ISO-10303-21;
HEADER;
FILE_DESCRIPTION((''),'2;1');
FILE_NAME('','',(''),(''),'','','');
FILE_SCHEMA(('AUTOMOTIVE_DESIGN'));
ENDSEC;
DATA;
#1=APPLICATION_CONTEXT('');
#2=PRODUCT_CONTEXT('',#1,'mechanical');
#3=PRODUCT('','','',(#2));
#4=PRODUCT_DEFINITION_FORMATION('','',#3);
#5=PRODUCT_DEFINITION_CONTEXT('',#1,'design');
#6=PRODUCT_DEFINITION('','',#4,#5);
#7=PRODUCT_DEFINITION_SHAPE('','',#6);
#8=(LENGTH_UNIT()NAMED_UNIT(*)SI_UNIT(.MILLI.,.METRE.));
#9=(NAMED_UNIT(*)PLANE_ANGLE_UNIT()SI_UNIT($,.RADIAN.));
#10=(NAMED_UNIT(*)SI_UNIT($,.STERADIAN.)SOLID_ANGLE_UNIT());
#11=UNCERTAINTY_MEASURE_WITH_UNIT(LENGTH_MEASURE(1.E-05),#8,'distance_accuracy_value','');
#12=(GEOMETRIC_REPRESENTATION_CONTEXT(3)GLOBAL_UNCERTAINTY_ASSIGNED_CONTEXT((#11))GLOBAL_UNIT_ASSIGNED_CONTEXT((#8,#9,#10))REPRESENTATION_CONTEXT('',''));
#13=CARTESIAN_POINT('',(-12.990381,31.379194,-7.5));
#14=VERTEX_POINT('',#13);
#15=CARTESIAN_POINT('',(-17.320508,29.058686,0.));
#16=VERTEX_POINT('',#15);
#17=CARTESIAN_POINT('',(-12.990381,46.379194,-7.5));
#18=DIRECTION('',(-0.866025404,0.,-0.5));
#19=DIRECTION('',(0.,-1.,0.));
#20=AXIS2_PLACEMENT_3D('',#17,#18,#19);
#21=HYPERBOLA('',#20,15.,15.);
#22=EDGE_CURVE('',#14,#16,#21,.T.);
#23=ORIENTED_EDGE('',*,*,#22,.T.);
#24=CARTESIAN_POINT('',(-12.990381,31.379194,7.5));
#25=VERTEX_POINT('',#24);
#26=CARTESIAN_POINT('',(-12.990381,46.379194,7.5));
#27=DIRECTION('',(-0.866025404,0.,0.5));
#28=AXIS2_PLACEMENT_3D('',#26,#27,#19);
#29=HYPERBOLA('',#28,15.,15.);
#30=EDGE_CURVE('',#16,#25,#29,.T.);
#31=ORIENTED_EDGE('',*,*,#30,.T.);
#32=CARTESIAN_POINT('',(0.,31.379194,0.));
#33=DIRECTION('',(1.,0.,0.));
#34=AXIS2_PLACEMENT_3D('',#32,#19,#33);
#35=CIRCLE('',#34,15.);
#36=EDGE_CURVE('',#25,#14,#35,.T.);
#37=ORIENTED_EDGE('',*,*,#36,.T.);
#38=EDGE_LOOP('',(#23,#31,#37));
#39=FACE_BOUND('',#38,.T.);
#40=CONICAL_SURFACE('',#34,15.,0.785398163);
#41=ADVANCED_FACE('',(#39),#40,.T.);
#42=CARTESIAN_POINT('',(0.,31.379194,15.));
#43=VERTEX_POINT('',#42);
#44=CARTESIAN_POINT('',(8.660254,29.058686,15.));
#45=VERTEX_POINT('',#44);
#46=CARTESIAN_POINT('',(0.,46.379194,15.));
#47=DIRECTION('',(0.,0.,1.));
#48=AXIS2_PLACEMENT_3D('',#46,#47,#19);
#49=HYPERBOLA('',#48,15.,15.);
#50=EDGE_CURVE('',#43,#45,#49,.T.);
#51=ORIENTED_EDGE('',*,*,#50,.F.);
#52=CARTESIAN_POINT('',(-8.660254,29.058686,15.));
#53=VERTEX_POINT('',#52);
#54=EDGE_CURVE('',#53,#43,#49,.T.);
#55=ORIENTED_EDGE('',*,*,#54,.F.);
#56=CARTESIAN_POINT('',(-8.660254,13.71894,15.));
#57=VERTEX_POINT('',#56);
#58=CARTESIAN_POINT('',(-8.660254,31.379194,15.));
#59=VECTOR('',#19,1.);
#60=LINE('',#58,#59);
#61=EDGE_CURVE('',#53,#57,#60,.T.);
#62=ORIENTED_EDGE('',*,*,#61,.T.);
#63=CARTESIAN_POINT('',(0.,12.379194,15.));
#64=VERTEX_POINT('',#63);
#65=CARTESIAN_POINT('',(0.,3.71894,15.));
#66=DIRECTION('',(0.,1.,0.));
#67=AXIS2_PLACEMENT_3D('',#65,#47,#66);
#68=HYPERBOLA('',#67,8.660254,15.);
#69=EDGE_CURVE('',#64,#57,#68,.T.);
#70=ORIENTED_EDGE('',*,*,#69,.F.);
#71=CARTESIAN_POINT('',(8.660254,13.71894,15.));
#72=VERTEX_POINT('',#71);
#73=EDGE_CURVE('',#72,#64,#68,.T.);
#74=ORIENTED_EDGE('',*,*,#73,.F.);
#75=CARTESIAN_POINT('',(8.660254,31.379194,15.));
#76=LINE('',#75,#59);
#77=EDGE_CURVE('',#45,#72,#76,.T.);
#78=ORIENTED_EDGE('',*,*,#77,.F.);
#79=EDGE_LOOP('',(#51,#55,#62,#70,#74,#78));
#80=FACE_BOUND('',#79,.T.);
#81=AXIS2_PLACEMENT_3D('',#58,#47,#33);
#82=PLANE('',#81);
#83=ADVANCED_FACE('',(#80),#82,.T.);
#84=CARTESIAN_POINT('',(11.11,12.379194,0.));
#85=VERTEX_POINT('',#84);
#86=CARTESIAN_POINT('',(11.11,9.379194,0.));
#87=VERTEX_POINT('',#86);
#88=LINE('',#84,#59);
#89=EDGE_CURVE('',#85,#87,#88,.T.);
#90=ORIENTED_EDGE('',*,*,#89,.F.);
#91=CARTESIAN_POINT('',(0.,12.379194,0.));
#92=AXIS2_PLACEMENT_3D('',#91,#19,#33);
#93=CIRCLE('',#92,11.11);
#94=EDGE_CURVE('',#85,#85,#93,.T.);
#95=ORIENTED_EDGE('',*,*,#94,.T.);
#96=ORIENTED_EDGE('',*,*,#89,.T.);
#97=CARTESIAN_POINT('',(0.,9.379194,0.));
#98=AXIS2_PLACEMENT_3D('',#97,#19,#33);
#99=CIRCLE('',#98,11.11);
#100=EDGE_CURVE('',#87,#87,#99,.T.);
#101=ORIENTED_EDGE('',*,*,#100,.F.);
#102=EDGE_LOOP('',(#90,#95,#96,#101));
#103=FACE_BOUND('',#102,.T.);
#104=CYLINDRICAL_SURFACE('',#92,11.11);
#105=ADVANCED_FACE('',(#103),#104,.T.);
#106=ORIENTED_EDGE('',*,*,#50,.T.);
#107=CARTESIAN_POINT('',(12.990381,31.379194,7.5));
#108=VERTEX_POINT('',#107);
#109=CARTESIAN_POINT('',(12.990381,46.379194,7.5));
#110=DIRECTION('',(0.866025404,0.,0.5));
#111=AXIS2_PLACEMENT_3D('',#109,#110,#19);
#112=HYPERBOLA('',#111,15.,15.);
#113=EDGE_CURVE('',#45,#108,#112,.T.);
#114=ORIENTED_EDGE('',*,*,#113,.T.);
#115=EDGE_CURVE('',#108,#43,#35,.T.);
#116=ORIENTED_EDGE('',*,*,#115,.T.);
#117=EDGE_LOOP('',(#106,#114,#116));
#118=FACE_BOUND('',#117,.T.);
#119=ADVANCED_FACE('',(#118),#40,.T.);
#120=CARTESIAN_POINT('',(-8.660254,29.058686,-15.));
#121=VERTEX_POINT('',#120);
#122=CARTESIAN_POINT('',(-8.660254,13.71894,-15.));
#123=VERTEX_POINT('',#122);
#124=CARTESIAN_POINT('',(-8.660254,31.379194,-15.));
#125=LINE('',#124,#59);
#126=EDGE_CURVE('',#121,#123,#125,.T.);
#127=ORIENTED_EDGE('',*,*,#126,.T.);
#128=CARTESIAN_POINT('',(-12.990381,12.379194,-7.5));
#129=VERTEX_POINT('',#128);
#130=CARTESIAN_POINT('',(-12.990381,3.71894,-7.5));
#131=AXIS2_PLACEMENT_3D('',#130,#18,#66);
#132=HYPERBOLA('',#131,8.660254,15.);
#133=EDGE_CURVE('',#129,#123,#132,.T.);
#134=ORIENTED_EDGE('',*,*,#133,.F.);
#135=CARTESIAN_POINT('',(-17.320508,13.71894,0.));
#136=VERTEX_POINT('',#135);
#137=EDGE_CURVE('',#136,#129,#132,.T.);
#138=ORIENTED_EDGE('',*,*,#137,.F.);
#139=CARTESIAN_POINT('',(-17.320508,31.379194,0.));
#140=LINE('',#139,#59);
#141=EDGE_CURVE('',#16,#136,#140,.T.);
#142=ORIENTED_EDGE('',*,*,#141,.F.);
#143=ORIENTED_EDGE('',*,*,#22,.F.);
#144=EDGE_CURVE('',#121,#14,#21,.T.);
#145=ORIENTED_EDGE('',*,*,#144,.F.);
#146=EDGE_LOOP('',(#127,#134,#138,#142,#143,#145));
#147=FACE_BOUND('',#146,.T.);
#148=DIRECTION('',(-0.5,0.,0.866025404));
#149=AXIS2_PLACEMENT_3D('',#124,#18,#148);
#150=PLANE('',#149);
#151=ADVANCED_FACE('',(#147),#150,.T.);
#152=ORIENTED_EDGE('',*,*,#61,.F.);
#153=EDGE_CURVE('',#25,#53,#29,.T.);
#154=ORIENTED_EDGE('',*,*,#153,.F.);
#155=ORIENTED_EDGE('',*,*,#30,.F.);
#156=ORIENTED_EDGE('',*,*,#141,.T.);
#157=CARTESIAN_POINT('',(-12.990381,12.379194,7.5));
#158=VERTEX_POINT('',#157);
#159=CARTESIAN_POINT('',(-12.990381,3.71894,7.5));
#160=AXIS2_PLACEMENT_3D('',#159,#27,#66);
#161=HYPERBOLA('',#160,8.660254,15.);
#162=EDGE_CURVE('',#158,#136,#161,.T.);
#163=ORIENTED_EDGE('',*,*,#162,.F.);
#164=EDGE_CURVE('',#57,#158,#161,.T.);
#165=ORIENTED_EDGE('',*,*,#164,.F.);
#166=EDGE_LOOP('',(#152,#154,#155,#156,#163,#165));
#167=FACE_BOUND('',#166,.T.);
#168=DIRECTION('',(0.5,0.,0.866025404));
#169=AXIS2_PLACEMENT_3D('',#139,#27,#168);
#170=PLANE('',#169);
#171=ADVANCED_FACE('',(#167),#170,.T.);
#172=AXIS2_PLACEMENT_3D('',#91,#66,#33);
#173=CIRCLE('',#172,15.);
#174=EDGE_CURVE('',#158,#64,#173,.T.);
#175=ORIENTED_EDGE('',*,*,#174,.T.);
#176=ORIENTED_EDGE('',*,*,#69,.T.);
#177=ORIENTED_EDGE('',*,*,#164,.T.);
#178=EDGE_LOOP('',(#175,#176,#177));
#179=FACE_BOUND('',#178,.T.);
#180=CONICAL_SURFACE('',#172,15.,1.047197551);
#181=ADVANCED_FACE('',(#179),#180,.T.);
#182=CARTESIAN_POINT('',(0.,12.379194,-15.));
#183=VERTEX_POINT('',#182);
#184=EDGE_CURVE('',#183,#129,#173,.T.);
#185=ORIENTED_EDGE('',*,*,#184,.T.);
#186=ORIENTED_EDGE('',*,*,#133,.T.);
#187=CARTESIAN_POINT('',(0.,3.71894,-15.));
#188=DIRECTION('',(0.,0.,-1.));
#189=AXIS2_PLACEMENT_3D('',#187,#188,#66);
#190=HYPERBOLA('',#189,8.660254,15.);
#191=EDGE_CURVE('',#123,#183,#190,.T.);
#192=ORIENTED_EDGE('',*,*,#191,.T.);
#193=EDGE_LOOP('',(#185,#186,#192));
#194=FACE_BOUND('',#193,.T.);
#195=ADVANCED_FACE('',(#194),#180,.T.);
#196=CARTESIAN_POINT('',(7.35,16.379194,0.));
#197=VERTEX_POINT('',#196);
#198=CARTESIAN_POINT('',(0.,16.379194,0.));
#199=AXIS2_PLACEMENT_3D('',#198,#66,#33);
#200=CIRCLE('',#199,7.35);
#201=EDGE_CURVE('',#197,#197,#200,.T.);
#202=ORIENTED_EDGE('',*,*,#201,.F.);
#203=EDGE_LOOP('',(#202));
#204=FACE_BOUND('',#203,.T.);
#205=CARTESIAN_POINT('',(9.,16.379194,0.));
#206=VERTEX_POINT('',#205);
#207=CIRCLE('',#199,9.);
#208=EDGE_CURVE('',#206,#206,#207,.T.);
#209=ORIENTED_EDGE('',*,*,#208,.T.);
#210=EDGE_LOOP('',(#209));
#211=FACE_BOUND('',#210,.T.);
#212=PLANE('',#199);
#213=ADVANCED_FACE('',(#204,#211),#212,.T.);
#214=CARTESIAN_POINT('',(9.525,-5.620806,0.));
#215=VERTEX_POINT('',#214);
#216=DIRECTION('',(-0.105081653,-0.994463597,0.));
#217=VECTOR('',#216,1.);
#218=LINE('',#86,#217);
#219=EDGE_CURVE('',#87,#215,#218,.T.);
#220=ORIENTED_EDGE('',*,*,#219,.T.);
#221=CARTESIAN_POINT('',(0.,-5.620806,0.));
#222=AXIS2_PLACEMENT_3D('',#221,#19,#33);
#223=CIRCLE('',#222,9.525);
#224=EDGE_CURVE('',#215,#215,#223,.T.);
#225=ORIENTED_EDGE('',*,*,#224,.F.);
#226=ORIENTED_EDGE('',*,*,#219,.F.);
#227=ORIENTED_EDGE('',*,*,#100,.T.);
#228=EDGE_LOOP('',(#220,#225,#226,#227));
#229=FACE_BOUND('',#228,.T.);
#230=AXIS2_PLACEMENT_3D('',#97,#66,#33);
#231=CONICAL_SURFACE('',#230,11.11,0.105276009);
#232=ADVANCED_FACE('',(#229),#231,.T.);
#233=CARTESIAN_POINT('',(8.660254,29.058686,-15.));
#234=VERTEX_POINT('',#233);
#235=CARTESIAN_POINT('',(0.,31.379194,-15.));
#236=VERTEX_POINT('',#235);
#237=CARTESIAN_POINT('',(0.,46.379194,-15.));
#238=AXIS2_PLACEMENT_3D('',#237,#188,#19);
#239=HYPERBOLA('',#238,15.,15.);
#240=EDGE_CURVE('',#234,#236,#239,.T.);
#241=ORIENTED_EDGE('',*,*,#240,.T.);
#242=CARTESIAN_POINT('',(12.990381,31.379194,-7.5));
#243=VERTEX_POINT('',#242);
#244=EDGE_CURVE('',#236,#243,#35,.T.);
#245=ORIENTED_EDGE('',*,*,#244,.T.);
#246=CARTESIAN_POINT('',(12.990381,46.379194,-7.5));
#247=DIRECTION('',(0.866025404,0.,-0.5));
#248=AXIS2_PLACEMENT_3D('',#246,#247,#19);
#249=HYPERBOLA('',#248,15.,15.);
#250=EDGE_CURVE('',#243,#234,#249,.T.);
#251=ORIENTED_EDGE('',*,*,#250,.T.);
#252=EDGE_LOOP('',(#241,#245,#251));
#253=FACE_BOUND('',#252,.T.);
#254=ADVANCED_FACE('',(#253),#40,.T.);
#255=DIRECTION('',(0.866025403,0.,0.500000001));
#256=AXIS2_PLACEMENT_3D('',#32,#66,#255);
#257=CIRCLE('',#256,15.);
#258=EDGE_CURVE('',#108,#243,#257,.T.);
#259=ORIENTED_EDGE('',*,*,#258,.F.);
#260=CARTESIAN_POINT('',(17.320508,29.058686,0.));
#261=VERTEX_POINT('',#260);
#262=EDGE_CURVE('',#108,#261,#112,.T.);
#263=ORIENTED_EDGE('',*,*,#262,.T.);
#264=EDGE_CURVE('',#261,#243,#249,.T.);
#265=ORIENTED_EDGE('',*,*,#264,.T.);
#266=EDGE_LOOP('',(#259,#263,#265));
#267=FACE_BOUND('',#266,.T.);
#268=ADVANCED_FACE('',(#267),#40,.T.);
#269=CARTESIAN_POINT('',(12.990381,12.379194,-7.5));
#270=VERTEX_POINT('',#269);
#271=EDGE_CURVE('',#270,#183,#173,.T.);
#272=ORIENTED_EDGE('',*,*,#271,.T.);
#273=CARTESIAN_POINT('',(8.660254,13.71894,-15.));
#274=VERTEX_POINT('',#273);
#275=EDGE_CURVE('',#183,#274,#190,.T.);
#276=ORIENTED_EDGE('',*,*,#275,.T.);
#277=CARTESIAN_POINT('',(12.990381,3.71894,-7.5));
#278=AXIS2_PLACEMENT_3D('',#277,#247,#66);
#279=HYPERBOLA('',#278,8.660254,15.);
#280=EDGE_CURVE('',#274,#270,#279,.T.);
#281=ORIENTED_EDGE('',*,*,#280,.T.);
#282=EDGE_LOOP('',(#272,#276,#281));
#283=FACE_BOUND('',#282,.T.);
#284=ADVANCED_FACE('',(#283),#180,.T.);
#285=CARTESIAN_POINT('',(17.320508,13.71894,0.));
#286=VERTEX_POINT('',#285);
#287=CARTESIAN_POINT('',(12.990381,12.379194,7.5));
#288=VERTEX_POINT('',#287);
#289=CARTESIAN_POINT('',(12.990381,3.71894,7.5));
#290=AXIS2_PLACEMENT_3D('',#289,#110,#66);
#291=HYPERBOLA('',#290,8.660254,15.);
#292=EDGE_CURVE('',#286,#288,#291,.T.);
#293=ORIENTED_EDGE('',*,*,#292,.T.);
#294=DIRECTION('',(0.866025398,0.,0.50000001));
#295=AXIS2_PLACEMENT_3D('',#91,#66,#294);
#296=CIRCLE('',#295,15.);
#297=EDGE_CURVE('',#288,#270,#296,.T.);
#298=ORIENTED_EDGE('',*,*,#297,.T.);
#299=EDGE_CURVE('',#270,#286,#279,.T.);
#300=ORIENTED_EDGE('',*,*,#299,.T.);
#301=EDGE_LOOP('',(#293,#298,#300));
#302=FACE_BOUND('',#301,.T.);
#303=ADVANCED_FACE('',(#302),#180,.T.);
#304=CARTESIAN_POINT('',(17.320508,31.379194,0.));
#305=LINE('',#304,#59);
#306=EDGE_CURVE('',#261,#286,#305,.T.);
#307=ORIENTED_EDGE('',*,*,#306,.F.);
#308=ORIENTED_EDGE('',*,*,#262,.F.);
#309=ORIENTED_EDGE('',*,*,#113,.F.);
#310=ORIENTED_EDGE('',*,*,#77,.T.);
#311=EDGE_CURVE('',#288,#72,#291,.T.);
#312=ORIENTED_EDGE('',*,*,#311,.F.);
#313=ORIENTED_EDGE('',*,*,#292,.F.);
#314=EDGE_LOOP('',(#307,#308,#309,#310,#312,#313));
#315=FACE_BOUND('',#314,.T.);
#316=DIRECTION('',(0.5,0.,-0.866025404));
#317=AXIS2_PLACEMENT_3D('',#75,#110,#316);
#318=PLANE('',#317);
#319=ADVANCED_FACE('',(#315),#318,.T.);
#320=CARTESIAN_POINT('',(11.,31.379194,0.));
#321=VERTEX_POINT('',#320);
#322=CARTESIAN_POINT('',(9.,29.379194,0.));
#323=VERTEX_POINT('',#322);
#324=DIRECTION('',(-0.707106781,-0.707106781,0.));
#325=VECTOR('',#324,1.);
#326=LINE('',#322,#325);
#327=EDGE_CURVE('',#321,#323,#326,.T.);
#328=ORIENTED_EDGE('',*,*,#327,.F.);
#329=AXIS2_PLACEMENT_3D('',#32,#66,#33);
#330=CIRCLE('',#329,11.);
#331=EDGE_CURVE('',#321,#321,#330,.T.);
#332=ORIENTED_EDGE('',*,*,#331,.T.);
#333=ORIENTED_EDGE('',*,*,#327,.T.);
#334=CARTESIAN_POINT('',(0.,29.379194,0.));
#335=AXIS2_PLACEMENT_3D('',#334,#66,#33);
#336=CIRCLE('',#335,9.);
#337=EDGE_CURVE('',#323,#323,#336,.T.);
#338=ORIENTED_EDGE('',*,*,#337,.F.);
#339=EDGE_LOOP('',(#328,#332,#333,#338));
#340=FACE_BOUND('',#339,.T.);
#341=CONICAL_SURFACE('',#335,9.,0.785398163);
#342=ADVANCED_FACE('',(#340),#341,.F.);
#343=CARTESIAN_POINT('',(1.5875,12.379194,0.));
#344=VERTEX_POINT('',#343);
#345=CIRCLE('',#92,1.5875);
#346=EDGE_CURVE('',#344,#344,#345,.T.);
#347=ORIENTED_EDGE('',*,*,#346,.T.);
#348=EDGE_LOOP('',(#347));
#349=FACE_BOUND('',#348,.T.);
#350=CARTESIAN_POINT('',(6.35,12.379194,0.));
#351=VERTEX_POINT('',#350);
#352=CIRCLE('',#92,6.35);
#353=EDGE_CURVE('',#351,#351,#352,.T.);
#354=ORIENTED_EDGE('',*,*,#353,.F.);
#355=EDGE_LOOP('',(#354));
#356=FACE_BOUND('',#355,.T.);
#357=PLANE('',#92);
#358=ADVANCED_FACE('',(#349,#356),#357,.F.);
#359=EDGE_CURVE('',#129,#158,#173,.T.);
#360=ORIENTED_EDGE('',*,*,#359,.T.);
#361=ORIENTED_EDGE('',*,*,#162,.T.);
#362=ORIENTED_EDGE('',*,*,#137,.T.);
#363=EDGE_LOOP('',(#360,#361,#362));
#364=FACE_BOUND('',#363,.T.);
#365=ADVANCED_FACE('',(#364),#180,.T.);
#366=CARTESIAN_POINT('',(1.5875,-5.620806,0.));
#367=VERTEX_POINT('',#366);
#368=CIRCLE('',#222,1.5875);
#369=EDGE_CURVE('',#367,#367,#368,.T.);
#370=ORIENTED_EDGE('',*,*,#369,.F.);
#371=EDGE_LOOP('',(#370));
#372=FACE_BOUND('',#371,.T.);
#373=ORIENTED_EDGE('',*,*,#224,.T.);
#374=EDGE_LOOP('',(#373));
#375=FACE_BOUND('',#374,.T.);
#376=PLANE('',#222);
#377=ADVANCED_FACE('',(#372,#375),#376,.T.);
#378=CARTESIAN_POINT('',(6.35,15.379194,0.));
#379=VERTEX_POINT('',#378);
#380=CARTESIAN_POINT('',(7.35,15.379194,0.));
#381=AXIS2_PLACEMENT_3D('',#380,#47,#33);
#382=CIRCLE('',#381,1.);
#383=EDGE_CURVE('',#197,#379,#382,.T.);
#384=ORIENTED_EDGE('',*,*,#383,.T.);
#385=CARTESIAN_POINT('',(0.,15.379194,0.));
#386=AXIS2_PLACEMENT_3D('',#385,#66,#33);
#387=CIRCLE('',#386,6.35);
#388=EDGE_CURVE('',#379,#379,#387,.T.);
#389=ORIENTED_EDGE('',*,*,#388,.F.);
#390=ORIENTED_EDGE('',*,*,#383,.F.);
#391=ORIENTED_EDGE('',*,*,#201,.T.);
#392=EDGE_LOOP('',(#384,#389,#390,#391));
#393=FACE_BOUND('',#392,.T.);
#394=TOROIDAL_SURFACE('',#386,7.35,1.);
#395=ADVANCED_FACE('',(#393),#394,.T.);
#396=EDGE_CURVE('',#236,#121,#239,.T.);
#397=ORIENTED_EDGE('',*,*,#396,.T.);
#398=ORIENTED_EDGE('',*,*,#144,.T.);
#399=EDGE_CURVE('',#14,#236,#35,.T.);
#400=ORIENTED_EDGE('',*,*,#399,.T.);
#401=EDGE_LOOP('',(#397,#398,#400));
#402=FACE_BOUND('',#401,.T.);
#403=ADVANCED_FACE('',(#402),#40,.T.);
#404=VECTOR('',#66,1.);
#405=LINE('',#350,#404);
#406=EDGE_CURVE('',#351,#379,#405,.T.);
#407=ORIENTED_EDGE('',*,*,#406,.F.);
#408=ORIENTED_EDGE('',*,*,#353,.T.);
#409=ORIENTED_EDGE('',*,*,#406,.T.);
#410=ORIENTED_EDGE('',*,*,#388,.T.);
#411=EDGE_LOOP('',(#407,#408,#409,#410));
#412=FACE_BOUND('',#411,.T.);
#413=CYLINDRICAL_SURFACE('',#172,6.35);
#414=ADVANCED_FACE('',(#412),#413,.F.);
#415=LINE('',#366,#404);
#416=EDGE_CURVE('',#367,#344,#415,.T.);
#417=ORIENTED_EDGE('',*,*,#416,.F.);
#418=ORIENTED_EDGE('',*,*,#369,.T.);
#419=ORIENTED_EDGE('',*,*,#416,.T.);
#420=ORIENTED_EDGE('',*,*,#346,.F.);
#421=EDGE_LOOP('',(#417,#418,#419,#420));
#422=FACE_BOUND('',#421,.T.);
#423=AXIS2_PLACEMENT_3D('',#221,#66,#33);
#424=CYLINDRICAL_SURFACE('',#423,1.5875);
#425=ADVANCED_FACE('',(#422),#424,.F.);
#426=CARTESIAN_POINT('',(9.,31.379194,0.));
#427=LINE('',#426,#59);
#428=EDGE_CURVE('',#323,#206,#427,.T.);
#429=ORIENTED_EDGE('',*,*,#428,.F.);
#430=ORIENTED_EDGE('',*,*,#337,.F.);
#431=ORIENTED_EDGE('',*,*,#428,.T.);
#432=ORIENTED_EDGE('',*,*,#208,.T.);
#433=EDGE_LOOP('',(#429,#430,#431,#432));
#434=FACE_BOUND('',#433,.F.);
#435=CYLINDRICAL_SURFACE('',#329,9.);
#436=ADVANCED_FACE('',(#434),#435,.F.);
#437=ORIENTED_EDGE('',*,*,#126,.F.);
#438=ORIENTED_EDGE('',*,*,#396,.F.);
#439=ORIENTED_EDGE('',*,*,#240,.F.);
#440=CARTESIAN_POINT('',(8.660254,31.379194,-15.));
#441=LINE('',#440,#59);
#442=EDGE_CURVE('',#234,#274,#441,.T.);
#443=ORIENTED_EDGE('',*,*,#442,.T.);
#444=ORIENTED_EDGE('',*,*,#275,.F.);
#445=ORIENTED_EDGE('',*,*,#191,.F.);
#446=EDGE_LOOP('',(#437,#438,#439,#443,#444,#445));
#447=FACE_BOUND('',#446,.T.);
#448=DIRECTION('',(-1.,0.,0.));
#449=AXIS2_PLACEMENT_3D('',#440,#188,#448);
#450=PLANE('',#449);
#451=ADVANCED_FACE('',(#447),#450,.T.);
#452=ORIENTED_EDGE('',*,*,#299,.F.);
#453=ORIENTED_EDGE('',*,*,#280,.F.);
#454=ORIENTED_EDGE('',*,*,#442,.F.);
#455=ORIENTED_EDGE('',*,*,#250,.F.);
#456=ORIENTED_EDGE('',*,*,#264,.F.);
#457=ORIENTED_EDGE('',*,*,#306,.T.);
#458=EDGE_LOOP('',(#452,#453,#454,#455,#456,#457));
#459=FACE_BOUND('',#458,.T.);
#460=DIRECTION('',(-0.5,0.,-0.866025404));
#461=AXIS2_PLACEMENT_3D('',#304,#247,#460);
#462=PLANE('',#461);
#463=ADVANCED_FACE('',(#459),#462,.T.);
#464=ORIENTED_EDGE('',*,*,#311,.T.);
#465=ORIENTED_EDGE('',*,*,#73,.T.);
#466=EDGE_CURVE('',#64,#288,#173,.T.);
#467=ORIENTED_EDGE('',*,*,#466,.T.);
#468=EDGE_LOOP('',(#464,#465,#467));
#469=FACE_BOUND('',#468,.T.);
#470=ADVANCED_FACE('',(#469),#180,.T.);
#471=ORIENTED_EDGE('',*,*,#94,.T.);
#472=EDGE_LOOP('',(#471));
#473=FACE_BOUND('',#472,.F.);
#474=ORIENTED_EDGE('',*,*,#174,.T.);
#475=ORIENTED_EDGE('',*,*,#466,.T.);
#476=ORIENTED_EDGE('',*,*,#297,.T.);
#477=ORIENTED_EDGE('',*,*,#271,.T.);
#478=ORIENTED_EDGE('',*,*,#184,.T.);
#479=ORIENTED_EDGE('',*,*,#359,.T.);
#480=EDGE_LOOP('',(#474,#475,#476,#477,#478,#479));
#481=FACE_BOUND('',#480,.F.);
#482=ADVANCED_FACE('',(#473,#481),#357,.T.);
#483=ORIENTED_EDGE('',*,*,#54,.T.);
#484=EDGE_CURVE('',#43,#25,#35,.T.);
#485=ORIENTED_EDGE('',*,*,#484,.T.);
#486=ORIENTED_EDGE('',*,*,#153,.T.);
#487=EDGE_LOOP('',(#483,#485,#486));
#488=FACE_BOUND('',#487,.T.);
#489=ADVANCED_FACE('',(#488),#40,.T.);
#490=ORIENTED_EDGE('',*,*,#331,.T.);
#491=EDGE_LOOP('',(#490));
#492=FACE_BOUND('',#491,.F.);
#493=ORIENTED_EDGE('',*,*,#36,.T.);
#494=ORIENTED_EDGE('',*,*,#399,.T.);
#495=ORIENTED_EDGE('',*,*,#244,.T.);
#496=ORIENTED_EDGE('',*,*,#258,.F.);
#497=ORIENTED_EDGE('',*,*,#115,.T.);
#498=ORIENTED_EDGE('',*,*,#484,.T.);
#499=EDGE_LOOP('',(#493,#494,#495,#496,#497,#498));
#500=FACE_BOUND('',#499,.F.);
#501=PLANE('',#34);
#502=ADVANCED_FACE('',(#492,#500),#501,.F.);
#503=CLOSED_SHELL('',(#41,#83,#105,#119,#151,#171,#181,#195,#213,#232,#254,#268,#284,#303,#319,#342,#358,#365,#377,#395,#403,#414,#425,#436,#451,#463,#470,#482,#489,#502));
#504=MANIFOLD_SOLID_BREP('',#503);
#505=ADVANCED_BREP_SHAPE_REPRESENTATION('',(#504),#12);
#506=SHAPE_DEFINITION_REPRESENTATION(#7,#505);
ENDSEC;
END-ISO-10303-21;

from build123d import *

# Parameters (mm, degrees)
CROQUIS4_OUTSIDE_W    = 60.478
CROQUIS4_OUTSIDE_H    = 60.478
CORTAR_EXTRUIR6_DEPTH = 70
CROQUIS5_OUTSIDE_W    = 188.422
CROQUIS5_OUTSIDE_H    = 183.78
CROQUIS5_OUTSIDE_R    = 15
CORTAR_EXTRUIR7_DEPTH = 70
CORTAR_EXTRUIR7_TAPER = 45
CROQUIS6_R            = 9
CORTAR_EXTRUIR8_DEPTH = 15
CHAFL_N1_SIZE         = 2
REDONDEO1_R           = 1
CROQUIS7_OUTSIDE_W    = 83.062
CROQUIS7_OUTSIDE_H    = 78.42
CROQUIS7_OUTSIDE_R    = 15
CORTAR_EXTRUIR9_DEPTH = 10
CORTAR_EXTRUIR9_TAPER = 60


with BuildPart() as part:
    # Croquis1 → Revolución1 (revolve)
    with BuildSketch(Plane.XY):
        Polygon((6.35, 31.379194031), (20, 31.379194031), (22, 31.379194031), (22, 29.379194031), (22, 14.379194031), (22, 12.379194031), (20, 12.379194031), (14, 12.379194031), (11.11, 12.379194031), (11.11, 9.379194031), (9.525, -5.620805969), (1.5875, -5.620805969), (1.5875, 12.379194031), (6.35, 12.379194031), align=None)
    revolve(axis=Axis((0, 51.930492424, 0), (0, -1, 0)))

    # Croquis4 outside → Cortar-Extruir6 (cut)
    with BuildSketch(Plane(origin=(0, 31.379194031, 0), x_dir=(1, 0, 0), z_dir=(0, 1, 0))):
        Rectangle(CROQUIS4_OUTSIDE_W, CROQUIS4_OUTSIDE_H)
        Polygon((17.320508076, 0), (8.660254038, 15), (-8.660254038, 15), (-17.320508076, 0), (-8.660254038, -15), (8.660254038, -15), align=None, mode=Mode.SUBTRACT)
    extrude(amount=-CORTAR_EXTRUIR6_DEPTH, mode=Mode.SUBTRACT)

    # Croquis5 outside → Cortar-Extruir7 (cut)
    with BuildSketch(Plane(origin=(0, 31.379194031, 0), x_dir=(1, 0, 0), z_dir=(0, 1, 0))):
        Rectangle(CROQUIS5_OUTSIDE_W, CROQUIS5_OUTSIDE_H)
        Circle(CROQUIS5_OUTSIDE_R, mode=Mode.SUBTRACT)
    extrude(amount=-CORTAR_EXTRUIR7_DEPTH, taper=CORTAR_EXTRUIR7_TAPER, mode=Mode.SUBTRACT)

    # Croquis6 → Cortar-Extruir8 (cut)
    with BuildSketch(Plane(origin=(0, 31.379194031, 0), x_dir=(1, 0, 0), z_dir=(0, 1, 0))):
        Circle(CROQUIS6_R)
    extrude(amount=-CORTAR_EXTRUIR8_DEPTH, mode=Mode.SUBTRACT)

    # Chaflán1
    chafl_n1_edges = [part.edges().sort_by_distance(p)[0] for p in [
        (-9, 31.379194031, 0),
    ]]
    chamfer(chafl_n1_edges, length=CHAFL_N1_SIZE)

    # Redondeo1
    redondeo1_edges = [part.edges().sort_by_distance(p)[0] for p in [
        (-6.35, 16.379194031, 0),
    ]]
    fillet(redondeo1_edges, radius=REDONDEO1_R)

    # Croquis7 outside → Cortar-Extruir9 (cut)
    with BuildSketch(Plane.XZ.offset(-12.379194031)):
        Rectangle(CROQUIS7_OUTSIDE_W, CROQUIS7_OUTSIDE_H)
        Circle(CROQUIS7_OUTSIDE_R, mode=Mode.SUBTRACT)
    extrude(amount=-CORTAR_EXTRUIR9_DEPTH, taper=CORTAR_EXTRUIR9_TAPER, mode=Mode.SUBTRACT)


solid = part.part
